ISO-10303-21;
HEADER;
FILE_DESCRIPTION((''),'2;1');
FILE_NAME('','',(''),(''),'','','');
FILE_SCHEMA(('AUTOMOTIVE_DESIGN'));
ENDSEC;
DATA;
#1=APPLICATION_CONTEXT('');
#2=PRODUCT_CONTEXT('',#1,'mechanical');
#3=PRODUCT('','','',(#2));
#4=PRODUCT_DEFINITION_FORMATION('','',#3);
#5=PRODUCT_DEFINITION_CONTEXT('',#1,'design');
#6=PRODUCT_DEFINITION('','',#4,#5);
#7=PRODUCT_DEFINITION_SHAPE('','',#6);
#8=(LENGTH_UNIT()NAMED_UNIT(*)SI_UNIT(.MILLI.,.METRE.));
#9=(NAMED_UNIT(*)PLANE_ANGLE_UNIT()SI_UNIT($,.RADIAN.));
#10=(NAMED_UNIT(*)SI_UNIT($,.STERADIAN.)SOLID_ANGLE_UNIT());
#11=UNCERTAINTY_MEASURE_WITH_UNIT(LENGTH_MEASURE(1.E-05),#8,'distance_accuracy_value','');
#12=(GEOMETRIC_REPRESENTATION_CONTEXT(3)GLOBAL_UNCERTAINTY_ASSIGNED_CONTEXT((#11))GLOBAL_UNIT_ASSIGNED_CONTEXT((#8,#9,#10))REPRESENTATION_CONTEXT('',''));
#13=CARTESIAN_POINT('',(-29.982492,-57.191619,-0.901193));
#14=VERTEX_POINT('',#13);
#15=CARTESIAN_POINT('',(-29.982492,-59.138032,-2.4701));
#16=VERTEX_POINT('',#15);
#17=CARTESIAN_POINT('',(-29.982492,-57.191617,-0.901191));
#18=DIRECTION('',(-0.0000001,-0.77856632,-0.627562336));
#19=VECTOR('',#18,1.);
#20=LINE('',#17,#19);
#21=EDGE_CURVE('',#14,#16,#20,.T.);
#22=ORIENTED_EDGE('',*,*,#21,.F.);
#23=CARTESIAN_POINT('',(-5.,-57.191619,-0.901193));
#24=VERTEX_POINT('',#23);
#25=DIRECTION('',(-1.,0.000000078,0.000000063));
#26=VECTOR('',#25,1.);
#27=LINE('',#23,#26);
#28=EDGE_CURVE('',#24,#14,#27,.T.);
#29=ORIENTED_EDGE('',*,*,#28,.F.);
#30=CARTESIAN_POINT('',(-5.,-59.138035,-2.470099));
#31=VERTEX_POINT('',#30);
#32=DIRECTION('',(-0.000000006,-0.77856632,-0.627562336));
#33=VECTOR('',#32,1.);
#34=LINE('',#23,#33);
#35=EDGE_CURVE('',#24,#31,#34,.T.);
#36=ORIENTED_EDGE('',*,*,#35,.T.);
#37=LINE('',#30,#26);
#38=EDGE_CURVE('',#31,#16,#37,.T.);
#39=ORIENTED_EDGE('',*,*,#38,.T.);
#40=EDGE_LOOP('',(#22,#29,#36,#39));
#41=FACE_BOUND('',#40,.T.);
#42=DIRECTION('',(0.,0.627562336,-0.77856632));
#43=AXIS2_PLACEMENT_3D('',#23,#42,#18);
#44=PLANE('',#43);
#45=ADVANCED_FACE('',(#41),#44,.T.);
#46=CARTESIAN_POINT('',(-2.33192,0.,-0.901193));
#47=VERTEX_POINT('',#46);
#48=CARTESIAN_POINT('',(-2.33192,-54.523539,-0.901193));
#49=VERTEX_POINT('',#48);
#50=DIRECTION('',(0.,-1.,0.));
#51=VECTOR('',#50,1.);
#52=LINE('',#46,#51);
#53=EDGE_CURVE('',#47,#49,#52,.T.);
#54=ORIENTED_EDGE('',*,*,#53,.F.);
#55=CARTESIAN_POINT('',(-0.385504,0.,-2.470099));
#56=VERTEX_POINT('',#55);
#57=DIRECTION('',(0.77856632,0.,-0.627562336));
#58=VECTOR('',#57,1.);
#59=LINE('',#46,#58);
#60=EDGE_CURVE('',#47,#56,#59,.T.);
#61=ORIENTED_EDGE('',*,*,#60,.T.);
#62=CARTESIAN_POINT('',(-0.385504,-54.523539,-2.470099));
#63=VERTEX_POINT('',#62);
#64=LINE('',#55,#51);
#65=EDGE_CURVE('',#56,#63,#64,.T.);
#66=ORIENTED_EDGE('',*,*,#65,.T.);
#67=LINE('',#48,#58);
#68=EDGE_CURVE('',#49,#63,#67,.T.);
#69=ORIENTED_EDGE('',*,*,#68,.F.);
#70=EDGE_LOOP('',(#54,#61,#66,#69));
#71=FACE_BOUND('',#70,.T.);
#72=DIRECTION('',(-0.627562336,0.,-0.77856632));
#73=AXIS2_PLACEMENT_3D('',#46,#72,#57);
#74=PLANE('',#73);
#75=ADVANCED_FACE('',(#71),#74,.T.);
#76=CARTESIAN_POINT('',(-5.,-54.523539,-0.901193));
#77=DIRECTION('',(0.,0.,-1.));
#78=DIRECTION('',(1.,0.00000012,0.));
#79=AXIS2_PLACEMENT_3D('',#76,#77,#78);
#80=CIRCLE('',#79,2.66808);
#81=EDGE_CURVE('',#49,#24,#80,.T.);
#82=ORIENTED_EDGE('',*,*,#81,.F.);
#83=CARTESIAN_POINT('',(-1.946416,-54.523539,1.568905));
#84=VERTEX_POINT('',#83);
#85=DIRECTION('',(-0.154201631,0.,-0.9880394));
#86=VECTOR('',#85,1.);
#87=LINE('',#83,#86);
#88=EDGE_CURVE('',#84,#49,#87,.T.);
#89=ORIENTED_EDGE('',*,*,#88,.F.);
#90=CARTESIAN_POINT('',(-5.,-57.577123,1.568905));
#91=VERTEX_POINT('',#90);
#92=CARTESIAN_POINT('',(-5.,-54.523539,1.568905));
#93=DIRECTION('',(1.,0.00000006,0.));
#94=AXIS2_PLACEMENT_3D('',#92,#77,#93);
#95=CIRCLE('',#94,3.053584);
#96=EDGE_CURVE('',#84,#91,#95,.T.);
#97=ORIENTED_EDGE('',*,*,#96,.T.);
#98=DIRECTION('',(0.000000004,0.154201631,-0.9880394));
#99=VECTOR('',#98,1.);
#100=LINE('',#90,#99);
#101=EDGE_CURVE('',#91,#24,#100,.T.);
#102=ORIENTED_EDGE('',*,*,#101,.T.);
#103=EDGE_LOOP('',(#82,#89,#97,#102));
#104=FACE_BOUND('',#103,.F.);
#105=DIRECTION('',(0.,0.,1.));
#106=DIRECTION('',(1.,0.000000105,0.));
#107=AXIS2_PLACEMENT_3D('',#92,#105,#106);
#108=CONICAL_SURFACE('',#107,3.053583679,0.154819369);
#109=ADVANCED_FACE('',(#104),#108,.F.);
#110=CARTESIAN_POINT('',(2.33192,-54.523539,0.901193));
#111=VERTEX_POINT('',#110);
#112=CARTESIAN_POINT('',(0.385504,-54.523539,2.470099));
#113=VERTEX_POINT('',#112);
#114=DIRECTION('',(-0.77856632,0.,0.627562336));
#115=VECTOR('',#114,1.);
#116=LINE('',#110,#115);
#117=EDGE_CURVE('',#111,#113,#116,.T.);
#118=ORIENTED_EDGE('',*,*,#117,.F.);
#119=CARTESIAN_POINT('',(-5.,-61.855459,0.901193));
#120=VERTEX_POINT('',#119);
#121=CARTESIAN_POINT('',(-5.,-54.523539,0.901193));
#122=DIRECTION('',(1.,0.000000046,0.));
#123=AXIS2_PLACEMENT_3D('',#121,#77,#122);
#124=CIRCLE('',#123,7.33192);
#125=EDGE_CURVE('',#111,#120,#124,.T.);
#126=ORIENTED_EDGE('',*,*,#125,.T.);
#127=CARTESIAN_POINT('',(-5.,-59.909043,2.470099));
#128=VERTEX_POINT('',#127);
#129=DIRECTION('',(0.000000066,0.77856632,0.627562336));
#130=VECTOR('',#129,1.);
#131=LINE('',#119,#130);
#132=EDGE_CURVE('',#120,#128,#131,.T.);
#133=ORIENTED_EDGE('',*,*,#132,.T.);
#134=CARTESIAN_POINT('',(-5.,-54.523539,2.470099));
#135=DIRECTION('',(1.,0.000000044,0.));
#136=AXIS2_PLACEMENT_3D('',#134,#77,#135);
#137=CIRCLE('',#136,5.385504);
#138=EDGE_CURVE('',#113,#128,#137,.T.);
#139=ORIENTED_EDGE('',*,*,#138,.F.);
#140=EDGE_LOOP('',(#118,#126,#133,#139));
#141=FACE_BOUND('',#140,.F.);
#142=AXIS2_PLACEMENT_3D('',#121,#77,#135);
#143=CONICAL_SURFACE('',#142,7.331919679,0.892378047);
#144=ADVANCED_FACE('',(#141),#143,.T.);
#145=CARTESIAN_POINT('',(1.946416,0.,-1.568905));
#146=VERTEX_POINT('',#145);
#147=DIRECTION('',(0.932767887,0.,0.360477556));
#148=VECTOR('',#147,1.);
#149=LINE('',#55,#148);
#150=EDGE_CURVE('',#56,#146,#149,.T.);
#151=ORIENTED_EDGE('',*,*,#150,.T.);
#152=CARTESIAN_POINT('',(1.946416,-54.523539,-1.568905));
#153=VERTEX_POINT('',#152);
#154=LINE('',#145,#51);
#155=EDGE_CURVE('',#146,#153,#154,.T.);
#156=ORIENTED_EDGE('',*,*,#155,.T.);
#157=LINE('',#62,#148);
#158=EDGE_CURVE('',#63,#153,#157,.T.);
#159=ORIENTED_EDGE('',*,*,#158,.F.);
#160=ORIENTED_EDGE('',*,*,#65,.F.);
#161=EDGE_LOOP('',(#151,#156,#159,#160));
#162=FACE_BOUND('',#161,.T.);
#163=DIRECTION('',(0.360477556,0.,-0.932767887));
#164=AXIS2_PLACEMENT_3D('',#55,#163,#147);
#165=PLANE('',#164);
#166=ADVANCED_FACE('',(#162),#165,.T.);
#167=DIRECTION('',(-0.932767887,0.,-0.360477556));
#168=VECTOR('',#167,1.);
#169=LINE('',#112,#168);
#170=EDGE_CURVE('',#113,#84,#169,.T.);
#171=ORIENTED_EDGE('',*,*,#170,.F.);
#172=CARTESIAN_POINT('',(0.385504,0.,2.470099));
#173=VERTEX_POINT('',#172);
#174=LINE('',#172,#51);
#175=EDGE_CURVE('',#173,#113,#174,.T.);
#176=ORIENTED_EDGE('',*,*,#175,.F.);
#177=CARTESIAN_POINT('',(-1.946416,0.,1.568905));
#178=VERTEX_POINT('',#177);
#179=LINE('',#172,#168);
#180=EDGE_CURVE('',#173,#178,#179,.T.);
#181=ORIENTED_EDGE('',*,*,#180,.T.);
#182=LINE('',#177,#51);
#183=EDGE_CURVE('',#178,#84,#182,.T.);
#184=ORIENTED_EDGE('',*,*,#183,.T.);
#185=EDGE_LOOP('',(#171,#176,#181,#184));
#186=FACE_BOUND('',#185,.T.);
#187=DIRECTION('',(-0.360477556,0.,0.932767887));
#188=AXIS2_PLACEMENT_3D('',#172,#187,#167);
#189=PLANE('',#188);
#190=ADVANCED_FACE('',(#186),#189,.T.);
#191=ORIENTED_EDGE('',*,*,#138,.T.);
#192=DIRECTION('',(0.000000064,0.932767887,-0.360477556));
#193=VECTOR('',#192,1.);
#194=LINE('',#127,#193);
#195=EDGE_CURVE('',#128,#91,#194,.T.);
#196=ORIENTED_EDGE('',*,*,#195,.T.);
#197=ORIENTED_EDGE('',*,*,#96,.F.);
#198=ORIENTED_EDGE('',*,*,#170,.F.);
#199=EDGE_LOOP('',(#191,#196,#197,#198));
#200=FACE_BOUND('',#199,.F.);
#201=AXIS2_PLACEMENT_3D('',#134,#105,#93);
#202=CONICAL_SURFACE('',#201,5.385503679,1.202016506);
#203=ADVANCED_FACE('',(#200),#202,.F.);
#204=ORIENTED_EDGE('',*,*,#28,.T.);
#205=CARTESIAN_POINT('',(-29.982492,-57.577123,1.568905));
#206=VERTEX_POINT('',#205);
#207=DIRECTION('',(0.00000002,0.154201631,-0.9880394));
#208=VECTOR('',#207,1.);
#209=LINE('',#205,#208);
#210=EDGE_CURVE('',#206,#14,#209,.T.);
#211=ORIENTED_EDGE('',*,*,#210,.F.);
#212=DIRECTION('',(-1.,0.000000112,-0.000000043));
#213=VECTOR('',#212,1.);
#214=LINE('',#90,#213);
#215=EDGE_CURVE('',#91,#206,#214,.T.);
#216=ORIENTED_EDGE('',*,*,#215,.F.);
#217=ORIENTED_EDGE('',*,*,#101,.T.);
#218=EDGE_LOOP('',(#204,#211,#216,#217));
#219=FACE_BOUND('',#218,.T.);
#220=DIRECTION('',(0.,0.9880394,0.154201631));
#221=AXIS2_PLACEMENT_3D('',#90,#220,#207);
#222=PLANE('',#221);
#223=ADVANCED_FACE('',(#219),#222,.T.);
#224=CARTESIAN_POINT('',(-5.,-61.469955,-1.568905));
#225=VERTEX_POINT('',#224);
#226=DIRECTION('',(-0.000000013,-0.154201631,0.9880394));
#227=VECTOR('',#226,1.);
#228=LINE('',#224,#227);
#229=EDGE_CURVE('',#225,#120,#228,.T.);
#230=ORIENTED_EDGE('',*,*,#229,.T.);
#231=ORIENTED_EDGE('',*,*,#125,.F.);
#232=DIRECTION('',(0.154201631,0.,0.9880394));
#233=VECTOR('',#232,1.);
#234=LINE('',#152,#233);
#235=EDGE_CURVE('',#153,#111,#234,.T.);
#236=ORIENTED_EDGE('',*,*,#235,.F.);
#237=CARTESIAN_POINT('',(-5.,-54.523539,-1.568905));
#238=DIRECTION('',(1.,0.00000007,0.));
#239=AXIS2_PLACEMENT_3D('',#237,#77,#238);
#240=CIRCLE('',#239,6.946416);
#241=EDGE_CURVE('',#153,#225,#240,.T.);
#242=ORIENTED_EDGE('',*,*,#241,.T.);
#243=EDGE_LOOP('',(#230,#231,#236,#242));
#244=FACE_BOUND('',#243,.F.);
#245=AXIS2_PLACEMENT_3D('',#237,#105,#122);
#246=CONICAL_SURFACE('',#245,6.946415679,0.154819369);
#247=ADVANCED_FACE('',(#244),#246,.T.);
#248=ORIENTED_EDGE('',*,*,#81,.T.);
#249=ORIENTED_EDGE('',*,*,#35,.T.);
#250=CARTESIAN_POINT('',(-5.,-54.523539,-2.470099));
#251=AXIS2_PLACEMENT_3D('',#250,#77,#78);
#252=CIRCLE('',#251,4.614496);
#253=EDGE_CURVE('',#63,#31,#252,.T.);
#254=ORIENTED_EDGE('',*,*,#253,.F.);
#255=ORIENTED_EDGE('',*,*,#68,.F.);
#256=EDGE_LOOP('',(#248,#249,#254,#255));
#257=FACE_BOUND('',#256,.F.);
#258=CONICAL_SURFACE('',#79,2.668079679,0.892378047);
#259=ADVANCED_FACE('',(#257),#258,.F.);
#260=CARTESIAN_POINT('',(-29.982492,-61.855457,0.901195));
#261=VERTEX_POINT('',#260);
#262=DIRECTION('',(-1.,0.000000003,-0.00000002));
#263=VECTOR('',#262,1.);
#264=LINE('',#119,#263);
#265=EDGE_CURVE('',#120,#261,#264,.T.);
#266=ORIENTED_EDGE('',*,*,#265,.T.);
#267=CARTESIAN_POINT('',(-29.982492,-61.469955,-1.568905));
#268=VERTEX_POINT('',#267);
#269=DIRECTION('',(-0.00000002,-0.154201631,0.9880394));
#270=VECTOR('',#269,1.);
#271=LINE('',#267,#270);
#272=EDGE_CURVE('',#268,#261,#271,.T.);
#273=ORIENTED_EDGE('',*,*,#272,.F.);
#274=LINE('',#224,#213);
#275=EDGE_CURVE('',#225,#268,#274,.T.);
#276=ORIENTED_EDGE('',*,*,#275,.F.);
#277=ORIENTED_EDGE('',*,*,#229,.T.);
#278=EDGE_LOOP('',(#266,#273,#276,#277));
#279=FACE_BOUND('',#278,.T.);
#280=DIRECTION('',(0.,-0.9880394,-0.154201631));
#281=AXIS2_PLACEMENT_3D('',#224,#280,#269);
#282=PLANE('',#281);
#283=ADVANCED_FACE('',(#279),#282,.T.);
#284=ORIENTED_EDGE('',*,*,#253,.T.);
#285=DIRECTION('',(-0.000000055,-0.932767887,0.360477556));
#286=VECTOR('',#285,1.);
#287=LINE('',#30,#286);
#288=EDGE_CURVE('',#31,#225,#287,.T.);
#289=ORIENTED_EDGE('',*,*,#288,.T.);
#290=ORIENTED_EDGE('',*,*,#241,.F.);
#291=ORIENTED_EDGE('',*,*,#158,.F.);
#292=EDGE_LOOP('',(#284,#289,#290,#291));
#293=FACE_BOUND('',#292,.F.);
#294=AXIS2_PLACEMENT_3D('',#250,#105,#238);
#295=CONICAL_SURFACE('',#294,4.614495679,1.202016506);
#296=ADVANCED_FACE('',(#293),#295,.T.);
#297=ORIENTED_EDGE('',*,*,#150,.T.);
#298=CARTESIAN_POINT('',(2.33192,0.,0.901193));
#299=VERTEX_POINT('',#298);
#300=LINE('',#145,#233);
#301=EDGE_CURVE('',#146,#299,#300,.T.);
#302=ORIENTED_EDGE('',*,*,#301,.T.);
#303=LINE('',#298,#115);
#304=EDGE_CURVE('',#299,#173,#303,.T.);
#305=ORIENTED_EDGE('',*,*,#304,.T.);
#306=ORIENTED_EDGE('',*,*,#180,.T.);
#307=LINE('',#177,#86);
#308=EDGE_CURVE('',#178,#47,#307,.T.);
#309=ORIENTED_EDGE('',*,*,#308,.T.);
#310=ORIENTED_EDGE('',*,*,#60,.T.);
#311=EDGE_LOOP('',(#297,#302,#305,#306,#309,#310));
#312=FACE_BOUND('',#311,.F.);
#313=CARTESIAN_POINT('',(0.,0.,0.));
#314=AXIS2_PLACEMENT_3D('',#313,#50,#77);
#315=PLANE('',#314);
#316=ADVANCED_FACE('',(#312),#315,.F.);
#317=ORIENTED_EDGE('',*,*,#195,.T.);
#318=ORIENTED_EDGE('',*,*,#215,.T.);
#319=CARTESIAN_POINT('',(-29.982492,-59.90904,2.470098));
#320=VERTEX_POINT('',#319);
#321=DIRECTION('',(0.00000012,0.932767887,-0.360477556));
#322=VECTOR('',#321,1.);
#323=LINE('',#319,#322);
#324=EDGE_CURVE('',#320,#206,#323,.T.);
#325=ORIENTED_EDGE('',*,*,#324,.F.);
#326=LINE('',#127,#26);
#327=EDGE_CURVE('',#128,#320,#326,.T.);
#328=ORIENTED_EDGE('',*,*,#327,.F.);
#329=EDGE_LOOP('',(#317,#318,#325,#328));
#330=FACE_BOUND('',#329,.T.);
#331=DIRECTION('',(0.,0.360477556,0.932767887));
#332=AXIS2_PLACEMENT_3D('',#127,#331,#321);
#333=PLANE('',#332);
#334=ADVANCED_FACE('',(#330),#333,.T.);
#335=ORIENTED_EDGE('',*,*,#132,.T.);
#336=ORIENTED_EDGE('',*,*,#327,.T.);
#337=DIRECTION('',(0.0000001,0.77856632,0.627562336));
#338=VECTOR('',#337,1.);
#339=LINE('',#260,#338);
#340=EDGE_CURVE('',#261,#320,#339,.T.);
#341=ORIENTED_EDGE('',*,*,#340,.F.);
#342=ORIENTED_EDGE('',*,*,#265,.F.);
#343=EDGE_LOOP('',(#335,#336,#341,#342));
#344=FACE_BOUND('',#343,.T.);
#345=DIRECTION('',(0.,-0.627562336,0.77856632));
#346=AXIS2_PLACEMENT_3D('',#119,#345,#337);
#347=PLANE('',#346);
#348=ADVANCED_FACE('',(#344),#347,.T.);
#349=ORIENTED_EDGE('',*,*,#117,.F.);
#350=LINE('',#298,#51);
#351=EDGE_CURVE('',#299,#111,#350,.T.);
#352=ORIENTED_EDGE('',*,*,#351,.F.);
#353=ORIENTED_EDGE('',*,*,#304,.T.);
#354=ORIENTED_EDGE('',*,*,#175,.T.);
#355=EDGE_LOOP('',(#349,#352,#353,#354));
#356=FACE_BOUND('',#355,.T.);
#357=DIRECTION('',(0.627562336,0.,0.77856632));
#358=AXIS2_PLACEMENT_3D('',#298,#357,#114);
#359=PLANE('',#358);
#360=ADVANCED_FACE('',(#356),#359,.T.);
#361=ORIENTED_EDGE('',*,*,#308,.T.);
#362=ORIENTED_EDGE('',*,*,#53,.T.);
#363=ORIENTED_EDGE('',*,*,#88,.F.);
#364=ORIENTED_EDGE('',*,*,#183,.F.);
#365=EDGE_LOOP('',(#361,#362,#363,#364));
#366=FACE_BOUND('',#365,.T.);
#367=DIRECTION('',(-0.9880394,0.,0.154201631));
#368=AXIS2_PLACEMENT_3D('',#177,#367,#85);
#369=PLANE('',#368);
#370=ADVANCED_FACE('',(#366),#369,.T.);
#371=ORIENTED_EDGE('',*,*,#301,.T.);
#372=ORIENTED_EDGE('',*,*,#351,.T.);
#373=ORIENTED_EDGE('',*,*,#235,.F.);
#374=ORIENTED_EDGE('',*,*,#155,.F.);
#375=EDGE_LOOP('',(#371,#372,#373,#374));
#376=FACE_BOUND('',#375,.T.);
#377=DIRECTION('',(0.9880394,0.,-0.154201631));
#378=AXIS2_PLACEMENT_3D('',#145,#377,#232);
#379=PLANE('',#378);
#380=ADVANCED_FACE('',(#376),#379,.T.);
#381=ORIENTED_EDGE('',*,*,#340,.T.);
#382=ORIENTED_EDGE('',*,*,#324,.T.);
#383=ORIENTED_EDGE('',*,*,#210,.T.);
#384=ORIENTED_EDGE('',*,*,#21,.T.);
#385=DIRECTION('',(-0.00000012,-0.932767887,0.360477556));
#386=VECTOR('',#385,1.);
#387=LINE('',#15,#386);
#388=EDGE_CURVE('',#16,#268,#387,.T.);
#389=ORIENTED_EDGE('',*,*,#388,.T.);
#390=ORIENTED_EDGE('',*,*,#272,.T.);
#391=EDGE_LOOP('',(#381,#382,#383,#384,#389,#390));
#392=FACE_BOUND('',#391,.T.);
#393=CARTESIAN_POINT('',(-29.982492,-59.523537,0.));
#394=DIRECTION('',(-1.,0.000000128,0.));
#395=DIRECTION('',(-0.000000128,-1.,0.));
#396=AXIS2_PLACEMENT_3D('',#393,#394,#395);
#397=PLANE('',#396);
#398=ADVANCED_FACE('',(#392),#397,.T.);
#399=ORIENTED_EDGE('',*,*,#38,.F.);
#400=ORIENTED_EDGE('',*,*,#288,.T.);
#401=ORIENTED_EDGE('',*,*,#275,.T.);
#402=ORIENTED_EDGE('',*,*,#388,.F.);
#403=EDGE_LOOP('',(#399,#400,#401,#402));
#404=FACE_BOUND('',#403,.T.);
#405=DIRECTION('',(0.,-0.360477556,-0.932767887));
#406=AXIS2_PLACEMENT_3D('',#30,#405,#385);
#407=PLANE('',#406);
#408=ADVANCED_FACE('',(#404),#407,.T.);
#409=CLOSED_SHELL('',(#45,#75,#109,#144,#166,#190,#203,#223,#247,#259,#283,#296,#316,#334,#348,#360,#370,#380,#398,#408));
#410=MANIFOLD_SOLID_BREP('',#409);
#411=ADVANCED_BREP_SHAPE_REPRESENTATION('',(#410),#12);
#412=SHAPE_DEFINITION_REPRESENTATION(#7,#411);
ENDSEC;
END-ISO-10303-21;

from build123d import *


with BuildPart() as f2:
    # F2: sweep along a path in F1
    with BuildLine(Plane.XY) as f2_path:
        Line((0, 0), (0, -54.523539))
        ThreePointArc((0, -54.523539), (-1.464466, -58.059073), (-5, -59.523539))
        Line((-5, -59.523539), (-29.982492, -59.523539))
    # F0 (on Front) → F2 (sweep)
    with BuildSketch(Plane.XZ):
        Polygon((-2.33192, -0.901193), (-0.385504, -2.470099), (1.946416, -1.568905), (2.33192, 0.901193), (0.385504, 2.470099), (-1.946416, 1.568905), align=None)
    sweep(path=f2_path.line)


solid = f2.part
